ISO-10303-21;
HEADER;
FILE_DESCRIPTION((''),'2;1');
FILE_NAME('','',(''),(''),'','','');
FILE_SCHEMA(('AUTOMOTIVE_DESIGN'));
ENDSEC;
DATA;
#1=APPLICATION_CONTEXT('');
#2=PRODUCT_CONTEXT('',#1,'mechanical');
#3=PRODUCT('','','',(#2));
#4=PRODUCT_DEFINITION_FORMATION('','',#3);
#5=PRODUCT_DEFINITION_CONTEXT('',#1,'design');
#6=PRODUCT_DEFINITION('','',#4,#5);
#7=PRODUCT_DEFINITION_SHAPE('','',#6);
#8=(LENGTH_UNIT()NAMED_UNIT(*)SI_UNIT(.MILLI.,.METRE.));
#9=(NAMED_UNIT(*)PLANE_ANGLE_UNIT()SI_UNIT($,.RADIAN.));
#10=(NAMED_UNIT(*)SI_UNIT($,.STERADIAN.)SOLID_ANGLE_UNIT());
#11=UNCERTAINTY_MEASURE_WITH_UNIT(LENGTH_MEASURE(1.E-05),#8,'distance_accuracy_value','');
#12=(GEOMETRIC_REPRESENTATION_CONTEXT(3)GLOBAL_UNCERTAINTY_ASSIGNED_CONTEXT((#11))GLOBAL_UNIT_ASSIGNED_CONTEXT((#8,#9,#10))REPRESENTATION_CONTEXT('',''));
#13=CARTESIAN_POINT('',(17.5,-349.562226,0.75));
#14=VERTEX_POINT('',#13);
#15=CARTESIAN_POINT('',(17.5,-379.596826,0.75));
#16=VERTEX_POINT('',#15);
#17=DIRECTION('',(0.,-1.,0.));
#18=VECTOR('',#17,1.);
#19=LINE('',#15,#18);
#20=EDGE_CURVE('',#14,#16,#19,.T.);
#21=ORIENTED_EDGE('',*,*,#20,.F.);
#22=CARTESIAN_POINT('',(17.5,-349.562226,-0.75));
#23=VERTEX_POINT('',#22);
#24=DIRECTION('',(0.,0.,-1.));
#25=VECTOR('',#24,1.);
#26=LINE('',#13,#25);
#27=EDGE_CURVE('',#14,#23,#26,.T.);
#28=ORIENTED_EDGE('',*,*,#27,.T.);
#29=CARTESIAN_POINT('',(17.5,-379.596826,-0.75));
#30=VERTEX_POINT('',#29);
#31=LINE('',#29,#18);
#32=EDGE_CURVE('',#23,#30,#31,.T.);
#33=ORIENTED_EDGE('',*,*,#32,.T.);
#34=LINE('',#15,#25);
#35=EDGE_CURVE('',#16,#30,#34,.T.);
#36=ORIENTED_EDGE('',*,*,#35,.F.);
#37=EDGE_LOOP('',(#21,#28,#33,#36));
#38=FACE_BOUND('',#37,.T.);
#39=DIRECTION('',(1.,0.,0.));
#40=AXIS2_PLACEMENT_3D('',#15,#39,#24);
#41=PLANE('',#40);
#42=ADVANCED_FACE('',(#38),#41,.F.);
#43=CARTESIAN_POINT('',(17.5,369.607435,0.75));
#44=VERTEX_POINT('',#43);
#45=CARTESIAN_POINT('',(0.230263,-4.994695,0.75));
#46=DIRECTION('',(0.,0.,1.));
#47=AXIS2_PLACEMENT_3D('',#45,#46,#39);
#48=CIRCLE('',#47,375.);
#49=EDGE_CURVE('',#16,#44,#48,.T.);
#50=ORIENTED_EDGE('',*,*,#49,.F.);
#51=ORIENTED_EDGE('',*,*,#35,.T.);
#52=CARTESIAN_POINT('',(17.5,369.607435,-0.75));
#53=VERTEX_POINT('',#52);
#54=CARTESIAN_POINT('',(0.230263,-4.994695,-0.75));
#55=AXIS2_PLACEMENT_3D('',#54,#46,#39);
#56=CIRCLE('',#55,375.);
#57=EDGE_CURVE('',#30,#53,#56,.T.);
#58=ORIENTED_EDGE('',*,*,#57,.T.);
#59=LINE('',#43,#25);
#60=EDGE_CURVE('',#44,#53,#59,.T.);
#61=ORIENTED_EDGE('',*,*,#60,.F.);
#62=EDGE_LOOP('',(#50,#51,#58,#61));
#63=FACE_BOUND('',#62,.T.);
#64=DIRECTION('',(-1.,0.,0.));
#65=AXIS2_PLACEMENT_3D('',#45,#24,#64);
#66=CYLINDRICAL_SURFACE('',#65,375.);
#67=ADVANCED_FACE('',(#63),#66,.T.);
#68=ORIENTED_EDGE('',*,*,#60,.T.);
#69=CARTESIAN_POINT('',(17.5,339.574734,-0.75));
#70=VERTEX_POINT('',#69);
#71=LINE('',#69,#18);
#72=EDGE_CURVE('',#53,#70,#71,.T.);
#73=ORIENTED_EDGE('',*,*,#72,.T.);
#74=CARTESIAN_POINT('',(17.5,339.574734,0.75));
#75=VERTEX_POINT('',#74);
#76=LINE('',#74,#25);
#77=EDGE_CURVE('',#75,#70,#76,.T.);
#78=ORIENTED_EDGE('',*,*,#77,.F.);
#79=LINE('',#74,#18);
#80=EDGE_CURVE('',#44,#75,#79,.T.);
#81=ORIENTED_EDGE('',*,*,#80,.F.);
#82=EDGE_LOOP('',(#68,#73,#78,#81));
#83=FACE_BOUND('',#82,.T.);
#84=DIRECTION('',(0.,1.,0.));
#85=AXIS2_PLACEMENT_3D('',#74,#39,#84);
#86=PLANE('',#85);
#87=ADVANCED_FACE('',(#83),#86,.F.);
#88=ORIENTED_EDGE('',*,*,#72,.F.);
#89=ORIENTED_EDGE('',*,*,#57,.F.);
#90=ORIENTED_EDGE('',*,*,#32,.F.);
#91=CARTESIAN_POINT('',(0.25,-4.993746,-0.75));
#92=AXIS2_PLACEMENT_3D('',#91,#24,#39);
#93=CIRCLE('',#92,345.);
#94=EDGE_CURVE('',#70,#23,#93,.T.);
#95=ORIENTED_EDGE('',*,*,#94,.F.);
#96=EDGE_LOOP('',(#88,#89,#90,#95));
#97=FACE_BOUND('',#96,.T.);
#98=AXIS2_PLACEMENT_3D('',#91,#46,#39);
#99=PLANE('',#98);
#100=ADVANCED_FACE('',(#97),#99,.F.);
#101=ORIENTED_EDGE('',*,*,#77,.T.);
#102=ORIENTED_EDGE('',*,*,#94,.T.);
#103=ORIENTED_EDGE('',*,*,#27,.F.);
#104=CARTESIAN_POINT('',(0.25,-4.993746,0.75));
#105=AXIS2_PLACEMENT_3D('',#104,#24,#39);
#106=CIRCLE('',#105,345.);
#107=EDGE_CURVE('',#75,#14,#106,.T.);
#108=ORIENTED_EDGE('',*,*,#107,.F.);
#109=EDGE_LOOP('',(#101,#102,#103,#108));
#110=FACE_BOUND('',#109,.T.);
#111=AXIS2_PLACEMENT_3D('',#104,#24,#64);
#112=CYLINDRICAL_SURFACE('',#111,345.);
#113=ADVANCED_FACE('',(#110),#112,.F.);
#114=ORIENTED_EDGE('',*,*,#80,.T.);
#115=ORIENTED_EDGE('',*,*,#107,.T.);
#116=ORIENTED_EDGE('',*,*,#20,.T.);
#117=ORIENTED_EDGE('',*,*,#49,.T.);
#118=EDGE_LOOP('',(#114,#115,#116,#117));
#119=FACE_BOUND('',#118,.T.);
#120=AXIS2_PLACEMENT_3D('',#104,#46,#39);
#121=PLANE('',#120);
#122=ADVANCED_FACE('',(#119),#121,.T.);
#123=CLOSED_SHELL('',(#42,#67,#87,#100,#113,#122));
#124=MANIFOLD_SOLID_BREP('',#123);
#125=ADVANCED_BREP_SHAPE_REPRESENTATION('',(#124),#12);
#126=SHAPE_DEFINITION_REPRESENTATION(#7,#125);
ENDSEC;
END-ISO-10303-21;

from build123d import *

# Parameters (mm, degrees)
BOSS_EXTRUDE1_DEPTH = 0.75


with BuildPart() as part:
    # Sketch1 → Boss-Extrude1 (new, symmetric)
    with BuildSketch(Plane.XY):
        with BuildLine():
            Line((17.5, 339.574734042), (17.5, 369.607435445))
            ThreePointArc((17.5, 369.607435445), (375.230263158, -4.994695074), (17.5, -379.596825593))
            Line((17.5, -379.596825593), (17.5, -349.56222622))
            ThreePointArc((17.5, -349.56222622), (345.25, -4.993746089), (17.5, 339.574734042))
        make_face()
    extrude(amount=BOSS_EXTRUDE1_DEPTH, both=True)


solid = part.part
